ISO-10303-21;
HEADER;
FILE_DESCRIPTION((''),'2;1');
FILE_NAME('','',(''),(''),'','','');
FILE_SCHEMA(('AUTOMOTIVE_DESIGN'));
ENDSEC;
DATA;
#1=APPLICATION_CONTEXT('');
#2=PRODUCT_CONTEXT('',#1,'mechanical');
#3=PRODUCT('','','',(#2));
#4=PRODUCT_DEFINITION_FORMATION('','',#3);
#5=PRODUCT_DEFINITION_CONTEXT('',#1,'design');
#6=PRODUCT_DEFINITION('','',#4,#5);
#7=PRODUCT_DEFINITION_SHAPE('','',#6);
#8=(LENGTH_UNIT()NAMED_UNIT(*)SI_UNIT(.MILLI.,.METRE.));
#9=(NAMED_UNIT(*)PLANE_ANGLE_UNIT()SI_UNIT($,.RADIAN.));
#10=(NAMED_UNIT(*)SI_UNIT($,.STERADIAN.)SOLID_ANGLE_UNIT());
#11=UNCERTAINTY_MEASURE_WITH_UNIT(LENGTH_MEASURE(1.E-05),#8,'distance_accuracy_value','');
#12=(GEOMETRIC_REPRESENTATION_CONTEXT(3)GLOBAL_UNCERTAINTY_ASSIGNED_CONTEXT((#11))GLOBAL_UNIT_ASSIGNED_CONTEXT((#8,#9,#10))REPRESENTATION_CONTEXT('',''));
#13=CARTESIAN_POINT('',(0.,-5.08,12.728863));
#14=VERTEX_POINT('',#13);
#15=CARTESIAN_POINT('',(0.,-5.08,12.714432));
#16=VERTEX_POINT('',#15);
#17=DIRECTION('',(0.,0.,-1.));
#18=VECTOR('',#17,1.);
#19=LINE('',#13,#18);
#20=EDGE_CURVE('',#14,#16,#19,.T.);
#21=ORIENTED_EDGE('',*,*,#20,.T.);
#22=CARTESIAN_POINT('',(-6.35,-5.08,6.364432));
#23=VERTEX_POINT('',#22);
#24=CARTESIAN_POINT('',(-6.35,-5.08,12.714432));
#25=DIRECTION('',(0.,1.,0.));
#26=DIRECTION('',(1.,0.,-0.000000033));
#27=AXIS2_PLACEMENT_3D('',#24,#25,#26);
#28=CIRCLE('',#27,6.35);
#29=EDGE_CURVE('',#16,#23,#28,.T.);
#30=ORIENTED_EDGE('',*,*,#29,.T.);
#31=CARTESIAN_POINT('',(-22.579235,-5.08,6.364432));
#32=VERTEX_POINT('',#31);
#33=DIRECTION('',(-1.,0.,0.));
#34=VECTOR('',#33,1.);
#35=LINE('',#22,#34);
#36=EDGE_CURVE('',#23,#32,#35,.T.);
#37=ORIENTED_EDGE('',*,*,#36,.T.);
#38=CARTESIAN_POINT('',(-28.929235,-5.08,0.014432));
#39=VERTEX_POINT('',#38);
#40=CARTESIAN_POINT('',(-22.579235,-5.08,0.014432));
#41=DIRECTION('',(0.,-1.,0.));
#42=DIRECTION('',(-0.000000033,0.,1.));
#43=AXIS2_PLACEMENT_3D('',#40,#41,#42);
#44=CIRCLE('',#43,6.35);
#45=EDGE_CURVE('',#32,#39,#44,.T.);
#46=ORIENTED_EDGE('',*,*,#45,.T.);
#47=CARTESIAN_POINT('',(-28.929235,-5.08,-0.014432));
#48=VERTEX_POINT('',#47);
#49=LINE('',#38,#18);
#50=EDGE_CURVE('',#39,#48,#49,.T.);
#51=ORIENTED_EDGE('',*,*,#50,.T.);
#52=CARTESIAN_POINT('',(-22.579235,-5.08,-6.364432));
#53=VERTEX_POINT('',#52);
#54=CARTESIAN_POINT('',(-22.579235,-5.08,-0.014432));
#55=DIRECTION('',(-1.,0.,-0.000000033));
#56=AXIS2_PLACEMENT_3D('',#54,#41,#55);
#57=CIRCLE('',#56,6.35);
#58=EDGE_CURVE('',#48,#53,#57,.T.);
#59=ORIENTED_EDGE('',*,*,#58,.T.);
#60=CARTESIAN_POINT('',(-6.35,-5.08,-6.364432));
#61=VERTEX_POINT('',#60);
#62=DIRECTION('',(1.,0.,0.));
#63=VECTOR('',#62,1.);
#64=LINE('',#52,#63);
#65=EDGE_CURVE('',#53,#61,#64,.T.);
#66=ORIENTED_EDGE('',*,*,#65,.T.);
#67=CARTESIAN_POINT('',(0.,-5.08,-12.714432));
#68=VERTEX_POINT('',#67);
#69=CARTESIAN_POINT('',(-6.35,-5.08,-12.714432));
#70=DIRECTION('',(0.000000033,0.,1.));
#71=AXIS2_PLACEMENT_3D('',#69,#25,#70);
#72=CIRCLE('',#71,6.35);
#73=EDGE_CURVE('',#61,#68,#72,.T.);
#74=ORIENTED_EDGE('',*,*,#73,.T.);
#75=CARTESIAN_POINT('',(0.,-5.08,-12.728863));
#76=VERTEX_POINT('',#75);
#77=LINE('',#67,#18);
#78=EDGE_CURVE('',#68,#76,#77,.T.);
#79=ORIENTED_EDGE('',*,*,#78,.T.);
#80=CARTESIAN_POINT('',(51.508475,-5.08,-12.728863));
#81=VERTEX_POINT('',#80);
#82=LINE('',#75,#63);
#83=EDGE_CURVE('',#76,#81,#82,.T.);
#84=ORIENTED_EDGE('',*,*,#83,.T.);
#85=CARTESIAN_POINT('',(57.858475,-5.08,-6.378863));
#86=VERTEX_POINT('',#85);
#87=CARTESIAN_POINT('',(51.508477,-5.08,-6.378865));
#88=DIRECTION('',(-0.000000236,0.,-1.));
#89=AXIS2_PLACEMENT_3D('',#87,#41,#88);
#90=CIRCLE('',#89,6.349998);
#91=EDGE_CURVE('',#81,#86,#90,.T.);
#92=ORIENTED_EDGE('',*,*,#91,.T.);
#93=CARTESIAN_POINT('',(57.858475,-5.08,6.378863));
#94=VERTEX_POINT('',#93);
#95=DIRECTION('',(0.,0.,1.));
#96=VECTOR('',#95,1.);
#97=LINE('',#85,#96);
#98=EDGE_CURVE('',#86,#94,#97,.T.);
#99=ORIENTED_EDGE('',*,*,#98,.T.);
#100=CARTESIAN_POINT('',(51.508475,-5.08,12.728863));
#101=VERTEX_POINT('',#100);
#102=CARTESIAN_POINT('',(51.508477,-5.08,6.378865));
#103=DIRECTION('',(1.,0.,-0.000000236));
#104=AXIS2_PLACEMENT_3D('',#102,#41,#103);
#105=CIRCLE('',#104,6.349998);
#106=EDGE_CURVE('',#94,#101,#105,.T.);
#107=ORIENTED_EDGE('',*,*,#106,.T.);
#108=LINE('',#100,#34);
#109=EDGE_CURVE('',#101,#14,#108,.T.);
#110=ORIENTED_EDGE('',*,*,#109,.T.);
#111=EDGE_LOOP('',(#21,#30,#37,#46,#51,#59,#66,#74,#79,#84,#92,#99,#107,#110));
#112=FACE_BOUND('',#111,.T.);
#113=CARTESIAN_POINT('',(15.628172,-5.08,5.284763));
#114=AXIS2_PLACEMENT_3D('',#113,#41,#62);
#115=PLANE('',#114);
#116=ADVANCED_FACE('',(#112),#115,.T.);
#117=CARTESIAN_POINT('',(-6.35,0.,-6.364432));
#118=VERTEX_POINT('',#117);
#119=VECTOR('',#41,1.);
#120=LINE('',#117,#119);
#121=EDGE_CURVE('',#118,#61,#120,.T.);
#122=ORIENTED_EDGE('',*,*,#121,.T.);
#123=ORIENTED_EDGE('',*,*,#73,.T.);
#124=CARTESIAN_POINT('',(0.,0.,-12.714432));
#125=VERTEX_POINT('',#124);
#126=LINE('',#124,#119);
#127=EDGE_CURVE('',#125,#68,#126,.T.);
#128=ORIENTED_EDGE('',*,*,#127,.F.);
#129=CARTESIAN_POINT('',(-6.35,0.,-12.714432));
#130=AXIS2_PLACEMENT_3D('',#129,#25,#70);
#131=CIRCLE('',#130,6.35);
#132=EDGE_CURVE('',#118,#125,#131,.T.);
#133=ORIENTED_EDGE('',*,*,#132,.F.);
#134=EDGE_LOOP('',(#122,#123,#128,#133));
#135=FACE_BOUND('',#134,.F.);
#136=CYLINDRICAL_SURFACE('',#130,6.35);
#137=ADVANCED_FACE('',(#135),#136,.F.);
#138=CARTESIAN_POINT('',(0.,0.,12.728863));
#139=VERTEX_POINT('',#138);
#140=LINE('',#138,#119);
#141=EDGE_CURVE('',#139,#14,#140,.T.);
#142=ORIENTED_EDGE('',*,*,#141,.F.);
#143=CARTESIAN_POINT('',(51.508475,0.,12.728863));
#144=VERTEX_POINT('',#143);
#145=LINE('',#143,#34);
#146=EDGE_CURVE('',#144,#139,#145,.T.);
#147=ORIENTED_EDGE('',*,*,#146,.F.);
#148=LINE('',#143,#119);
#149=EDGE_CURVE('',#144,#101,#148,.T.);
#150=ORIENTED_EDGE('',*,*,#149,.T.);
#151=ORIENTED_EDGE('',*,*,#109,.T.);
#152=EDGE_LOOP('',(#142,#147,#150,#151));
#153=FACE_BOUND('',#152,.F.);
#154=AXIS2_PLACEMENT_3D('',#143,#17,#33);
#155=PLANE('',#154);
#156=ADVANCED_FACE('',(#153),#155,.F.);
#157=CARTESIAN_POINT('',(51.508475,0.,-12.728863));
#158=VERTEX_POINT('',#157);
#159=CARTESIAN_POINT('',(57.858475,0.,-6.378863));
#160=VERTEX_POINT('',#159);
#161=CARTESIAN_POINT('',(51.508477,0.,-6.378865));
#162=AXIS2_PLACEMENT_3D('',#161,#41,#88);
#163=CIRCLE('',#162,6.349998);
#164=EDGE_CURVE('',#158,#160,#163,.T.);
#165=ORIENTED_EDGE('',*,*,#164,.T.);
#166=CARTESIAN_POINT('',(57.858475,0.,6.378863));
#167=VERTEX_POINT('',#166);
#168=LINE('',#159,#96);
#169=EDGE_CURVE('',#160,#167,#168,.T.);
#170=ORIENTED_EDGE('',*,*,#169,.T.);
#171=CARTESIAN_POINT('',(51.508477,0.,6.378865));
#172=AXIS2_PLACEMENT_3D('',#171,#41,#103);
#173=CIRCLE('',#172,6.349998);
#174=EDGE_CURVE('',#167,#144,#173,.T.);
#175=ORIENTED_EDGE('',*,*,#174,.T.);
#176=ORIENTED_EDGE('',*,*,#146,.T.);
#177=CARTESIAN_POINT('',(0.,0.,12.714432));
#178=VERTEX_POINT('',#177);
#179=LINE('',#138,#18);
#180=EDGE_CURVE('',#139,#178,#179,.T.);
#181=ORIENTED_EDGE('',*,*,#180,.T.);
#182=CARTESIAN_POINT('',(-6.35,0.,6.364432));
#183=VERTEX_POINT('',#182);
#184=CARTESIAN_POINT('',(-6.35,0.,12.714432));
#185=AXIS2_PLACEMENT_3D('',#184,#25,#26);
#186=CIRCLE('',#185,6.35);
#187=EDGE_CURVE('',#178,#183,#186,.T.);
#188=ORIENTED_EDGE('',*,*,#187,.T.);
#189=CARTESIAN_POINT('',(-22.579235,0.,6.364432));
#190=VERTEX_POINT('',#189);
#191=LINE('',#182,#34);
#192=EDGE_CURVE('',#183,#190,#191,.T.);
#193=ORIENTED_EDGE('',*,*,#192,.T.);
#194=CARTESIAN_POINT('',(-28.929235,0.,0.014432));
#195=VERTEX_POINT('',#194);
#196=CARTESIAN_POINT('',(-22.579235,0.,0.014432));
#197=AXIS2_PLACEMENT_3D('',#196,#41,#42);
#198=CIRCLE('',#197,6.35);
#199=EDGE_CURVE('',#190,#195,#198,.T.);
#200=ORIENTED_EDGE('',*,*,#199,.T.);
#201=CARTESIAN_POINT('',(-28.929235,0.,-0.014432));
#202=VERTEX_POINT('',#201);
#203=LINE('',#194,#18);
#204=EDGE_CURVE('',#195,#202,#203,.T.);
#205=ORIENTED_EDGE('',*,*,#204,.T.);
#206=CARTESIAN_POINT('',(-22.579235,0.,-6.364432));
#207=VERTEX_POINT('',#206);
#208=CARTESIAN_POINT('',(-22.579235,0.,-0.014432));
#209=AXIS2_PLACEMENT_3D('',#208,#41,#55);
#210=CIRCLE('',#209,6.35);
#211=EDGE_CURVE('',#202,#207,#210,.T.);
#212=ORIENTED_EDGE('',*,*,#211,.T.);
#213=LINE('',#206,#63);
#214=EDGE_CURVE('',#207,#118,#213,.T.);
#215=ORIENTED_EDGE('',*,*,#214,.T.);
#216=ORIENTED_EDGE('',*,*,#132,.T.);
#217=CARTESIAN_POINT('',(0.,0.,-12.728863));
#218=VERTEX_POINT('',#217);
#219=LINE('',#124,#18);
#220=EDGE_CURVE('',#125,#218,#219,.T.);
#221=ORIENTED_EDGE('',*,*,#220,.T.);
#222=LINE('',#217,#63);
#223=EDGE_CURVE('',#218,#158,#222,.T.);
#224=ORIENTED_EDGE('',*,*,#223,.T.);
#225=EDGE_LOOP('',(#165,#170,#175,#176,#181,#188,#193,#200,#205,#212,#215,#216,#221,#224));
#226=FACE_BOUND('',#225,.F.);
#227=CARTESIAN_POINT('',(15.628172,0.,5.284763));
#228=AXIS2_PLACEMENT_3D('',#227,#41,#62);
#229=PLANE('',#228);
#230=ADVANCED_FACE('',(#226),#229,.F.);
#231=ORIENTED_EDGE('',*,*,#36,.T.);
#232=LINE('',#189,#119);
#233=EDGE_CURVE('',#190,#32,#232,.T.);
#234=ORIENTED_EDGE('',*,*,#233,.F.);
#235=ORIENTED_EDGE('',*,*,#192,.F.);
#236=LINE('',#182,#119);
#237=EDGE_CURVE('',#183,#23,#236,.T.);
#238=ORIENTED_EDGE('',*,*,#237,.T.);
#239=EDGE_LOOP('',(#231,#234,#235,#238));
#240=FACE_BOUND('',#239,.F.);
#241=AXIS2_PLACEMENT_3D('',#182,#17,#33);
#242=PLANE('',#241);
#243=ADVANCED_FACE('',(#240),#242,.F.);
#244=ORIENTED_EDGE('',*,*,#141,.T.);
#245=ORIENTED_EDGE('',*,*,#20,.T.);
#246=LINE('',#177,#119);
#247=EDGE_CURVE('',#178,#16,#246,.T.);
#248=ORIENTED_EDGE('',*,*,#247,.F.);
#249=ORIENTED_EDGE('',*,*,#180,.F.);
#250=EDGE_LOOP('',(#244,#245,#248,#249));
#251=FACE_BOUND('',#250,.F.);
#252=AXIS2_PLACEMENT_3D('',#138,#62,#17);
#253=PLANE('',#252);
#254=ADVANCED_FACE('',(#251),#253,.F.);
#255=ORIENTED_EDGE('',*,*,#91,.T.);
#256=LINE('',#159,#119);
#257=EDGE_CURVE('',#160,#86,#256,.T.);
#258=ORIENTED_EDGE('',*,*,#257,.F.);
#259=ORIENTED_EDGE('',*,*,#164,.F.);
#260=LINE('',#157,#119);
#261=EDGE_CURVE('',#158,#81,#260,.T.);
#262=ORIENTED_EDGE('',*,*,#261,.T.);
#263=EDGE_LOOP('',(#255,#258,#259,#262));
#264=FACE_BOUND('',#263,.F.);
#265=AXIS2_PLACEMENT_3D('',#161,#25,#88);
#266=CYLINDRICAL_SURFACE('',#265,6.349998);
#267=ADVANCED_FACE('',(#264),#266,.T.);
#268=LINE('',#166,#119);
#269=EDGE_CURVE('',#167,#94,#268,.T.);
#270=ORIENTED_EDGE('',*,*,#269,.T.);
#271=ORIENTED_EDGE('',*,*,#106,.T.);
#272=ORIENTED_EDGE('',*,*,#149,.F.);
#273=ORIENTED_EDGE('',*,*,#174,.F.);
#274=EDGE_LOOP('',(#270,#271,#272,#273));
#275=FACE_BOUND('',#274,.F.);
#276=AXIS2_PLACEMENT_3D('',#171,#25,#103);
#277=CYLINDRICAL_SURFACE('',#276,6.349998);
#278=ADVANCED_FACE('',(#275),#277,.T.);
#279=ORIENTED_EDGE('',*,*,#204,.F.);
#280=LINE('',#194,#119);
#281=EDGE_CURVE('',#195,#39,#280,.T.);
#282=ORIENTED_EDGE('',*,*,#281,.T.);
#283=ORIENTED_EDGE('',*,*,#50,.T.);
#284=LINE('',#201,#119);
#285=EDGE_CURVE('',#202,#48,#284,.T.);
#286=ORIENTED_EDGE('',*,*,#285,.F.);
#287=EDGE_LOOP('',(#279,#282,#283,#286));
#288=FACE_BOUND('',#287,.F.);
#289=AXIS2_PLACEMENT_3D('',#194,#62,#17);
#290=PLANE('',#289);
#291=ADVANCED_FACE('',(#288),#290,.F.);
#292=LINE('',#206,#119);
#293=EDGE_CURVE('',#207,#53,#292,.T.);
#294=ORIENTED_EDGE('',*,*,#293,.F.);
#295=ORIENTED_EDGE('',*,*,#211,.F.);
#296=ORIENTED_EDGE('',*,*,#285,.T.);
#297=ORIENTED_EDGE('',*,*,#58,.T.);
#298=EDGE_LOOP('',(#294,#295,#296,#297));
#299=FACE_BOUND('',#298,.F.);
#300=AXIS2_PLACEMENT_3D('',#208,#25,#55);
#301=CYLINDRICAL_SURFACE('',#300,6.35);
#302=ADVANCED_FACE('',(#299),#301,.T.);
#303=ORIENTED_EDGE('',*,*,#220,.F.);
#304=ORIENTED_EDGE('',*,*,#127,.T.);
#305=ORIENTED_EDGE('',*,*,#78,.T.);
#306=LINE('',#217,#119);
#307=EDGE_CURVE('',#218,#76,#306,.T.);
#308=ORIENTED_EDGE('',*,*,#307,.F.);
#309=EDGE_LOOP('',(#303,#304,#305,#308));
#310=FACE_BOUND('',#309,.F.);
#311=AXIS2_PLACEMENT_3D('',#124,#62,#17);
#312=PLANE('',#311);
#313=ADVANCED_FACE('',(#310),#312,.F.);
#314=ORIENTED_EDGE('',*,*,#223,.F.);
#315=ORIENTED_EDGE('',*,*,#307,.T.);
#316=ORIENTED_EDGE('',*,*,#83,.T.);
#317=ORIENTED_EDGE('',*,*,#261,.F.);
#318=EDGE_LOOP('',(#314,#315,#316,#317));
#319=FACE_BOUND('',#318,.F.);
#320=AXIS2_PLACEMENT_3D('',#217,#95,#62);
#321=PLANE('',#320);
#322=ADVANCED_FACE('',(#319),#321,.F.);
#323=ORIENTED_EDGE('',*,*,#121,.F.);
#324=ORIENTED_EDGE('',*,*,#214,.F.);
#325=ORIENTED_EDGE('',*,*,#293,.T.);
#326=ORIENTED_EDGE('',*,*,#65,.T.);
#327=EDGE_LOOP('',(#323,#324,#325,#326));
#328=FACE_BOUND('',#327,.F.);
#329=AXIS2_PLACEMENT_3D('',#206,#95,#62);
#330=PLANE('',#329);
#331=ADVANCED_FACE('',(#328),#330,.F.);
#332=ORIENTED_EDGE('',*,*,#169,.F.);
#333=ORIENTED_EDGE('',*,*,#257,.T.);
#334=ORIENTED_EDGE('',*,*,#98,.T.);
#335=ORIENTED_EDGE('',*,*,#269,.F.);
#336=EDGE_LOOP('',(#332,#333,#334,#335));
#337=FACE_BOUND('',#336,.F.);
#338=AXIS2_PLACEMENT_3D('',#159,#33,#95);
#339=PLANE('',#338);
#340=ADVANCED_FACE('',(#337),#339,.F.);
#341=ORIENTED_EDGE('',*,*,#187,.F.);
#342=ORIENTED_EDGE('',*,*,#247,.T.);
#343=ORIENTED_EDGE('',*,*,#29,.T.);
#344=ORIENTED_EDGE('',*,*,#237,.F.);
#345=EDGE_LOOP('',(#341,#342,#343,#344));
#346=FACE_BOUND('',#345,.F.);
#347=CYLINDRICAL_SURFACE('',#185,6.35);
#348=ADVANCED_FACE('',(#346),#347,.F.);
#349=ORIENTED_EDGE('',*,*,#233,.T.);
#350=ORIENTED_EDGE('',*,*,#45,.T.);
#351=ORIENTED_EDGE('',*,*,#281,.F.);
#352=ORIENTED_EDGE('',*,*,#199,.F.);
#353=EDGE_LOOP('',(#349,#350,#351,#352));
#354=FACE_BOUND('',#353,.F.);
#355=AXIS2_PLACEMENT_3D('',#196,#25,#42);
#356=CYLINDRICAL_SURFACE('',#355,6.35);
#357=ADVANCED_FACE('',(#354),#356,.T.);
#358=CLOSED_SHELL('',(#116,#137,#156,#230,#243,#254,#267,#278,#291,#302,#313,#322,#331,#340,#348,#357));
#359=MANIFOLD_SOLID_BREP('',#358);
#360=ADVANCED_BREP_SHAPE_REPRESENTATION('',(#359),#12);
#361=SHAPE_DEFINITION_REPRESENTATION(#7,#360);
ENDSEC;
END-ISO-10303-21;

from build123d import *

# Parameters (mm, degrees)
F1_DEPTH = 5.08


with BuildPart() as f1:
    # F0 (on Front) → F1 (new body)
    with BuildSketch(Plane.XZ):
        with BuildLine():
            Line((0, 12.728863), (0, 12.714432))
            ThreePointArc((0, 12.714432), (-1.859872, 8.224304), (-6.35, 6.364432))
            Line((-6.35, 6.364432), (-22.579235, 6.364432))
            ThreePointArc((-22.579235, 6.364432), (-27.069363, 4.50456), (-28.929235, 0.014432))
            Line((-28.929235, 0.014432), (-28.929235, 0))
            Line((-28.929235, 0), (0, 0))
            Line((0, 0), (57.858475, 0))
            Line((57.858475, 0), (57.858475, 6.378863))
            ThreePointArc((57.858475, 6.378863), (55.998604, 10.868991), (51.508475, 12.728863))
            Line((51.508475, 12.728863), (45.129612, 12.728863))
            Line((45.129612, 12.728863), (0, 12.728863))
        make_face()
        with BuildLine():
            Line((0, 0), (-28.929235, 0))
            Line((-28.929235, 0), (-28.929235, -0.014432))
            ThreePointArc((-28.929235, -0.014432), (-27.069363, -4.50456), (-22.579235, -6.364432))
            Line((-22.579235, -6.364432), (-6.35, -6.364432))
            ThreePointArc((-6.35, -6.364432), (-1.859872, -8.224304), (0, -12.714432))
            Line((0, -12.714432), (0, -12.728863))
            Line((0, -12.728863), (45.129612, -12.728863))
            Line((45.129612, -12.728863), (51.508475, -12.728863))
            ThreePointArc((51.508475, -12.728863), (55.998604, -10.868991), (57.858475, -6.378863))
            Line((57.858475, -6.378863), (57.858475, 0))
            Line((57.858475, 0), (0, 0))
        make_face()
    extrude(amount=F1_DEPTH)


solid = f1.part
